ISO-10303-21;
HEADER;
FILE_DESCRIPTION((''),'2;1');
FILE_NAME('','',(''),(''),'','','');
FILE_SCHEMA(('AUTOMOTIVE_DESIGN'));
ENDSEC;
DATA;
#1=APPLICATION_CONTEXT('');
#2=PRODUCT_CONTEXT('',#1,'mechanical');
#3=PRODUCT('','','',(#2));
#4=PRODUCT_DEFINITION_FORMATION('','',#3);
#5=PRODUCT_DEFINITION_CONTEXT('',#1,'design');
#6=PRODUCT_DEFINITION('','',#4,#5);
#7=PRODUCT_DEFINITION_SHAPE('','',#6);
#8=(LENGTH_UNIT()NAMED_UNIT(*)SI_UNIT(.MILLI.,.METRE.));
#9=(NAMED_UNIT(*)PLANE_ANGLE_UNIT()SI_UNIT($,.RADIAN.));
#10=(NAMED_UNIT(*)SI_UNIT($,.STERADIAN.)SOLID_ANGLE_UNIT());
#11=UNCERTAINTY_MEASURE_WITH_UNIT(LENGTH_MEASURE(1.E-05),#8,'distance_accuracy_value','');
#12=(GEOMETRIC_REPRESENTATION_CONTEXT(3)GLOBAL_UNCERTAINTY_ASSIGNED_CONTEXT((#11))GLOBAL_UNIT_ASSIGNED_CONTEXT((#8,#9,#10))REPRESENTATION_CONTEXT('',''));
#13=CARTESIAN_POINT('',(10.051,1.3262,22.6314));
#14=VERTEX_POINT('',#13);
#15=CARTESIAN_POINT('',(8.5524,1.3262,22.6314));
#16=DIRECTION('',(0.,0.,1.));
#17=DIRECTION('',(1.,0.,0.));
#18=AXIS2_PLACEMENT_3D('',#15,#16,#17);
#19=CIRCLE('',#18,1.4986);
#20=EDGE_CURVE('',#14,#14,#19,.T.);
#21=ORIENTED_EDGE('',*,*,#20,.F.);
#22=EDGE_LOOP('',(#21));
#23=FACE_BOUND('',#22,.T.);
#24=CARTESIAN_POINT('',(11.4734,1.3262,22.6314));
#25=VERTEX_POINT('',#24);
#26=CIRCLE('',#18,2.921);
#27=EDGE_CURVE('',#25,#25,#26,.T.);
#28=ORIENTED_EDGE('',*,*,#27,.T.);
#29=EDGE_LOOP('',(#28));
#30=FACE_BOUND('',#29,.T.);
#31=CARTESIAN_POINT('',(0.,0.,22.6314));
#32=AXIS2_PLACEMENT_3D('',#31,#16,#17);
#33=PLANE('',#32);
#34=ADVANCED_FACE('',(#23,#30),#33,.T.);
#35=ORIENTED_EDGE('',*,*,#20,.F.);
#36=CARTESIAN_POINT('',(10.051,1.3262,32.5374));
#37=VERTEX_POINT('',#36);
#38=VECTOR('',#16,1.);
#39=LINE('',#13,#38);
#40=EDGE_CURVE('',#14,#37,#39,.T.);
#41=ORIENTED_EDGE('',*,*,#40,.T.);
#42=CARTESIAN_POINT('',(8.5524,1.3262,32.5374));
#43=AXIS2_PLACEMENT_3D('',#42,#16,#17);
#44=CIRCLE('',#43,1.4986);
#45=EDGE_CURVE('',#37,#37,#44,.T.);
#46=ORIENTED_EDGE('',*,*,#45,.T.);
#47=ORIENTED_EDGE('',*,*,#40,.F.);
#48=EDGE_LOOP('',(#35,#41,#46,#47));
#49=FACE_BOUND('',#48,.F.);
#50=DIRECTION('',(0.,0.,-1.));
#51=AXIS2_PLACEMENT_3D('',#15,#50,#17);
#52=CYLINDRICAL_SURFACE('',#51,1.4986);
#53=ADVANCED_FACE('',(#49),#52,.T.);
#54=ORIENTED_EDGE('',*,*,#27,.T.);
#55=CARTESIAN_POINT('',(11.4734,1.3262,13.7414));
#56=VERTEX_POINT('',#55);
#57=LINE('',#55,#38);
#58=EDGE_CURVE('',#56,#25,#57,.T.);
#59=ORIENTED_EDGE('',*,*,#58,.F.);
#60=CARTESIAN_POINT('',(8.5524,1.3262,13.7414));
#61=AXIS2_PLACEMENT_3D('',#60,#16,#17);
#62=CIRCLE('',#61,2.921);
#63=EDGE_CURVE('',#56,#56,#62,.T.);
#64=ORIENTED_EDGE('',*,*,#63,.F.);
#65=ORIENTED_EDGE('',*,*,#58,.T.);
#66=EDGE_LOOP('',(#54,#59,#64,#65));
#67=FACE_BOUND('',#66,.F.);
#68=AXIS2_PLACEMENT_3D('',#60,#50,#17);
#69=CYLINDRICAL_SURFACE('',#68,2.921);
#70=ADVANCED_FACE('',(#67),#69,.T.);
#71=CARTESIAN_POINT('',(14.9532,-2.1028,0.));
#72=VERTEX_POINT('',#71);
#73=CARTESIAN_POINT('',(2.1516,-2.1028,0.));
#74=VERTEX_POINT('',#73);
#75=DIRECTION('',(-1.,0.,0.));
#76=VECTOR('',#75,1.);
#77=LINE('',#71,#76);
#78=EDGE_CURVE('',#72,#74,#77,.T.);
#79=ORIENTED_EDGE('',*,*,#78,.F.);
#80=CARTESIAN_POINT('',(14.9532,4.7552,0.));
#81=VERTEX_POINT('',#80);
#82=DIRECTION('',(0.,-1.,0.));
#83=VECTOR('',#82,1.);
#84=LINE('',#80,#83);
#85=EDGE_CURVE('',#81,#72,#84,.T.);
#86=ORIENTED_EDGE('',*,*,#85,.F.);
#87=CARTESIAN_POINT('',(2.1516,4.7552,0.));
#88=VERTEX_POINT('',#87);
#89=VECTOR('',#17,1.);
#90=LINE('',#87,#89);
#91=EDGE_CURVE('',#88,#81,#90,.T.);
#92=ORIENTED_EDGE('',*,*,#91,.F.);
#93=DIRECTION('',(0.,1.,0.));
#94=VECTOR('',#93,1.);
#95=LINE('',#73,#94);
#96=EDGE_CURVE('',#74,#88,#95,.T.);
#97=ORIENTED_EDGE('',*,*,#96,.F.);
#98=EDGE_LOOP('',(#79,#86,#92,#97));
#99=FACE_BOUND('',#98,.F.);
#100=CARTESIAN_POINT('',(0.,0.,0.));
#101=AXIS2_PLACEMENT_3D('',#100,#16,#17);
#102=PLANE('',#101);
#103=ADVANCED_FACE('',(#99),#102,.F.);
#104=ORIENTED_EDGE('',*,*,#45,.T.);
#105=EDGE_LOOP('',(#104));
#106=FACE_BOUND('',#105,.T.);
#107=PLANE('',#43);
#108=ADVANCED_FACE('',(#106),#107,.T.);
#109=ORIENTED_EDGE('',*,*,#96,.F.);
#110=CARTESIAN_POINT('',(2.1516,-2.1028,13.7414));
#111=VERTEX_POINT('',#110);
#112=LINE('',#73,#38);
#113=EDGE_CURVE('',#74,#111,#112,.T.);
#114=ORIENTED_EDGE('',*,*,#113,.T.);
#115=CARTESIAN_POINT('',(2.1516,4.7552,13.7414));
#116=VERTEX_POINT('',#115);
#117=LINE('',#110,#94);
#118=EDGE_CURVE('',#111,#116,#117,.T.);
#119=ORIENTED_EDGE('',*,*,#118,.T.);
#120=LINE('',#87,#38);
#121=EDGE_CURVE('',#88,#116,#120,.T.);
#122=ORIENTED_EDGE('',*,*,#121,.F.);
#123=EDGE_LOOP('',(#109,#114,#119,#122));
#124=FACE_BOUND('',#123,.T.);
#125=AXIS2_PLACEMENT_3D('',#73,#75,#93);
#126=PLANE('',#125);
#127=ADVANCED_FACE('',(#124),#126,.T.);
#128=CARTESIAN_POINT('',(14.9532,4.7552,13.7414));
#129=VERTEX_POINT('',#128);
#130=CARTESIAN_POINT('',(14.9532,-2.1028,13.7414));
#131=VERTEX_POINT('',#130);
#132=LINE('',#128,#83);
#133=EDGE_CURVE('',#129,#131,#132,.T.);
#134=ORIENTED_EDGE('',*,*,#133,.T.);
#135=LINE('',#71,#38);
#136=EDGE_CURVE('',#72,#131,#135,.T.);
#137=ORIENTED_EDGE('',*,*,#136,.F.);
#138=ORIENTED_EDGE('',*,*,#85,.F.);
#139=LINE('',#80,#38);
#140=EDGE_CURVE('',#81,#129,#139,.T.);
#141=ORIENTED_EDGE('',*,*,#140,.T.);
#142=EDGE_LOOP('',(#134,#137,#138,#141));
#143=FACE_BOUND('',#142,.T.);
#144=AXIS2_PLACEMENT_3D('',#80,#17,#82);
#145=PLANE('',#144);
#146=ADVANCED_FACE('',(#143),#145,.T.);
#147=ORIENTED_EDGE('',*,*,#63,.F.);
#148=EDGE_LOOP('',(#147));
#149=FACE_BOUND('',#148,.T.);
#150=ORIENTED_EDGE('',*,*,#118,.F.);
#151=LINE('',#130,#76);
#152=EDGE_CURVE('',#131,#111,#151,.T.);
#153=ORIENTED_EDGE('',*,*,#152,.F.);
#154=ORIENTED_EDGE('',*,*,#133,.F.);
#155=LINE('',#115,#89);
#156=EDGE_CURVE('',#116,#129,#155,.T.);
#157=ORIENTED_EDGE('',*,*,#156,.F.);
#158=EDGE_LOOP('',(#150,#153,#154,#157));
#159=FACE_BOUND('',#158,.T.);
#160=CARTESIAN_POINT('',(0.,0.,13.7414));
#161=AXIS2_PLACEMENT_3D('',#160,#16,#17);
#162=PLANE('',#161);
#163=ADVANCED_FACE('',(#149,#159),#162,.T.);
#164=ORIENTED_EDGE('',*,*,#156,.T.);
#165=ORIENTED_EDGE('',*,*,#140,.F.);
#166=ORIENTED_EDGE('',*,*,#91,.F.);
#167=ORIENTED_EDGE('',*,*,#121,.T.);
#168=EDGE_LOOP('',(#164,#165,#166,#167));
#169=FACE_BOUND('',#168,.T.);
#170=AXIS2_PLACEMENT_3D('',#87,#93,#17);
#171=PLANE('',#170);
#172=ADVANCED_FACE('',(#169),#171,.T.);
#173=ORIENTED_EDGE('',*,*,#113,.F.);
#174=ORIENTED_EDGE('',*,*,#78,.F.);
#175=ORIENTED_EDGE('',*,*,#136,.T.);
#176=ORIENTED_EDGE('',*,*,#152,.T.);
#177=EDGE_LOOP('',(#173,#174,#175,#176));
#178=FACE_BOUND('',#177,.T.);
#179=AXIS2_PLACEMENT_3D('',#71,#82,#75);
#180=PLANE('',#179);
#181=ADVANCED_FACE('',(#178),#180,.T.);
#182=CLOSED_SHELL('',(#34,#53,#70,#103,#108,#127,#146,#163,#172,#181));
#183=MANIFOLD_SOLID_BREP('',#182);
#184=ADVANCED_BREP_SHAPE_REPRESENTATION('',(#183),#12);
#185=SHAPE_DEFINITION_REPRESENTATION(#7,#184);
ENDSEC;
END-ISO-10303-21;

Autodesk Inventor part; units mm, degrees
ref_plane "YZ Plane" through (0, 0, 0) normal (1, 0, 0) x (0, 1, 0)
ref_plane "XZ Plane" through (0, 0, 0) normal (0, 1, 0) x (-1, 0, 0)
ref_plane "XY Plane" through (0, 0, 0) normal (0, 0, 1) x (1, 0, 0)
sketch "Sketch1" plane through (0, 0, 0) normal (0, 0, 1) x (1, 0, 0)
  line L0 (2.1516, 4.7552) -> (14.9532, 4.7552)
  line L1 (14.9532, 4.7552) -> (14.9532, -2.1028)
  line L2 (14.9532, -2.1028) -> (2.1516, -2.1028)
  line L3 (2.1516, -2.1028) -> (2.1516, 4.7552)
  point P0 (0, 0)
  dimension "d0" = 12.8016
  dimension "d1" = 6.858
extrude "Extrusion1" add sketch "Sketch1" along normal blind 13.7414
sketch "Sketch2" plane through (0, 0, 13.7414) normal (0, 0, 1) x (1, 0, 0)
  circle A0 centre (8.5524, 1.3262) radius 2.921
  line L0 (14.9532, -2.1028) -> (14.9532, 4.7552) projected
  line L1 (14.9532, 4.7552) -> (2.1516, 4.7552) projected
  point P0 (0, 0)
  dimension "d4" = 5.842
  dimension "d5" = 6.4008
  dimension "d6" = 3.429
extrude "Extrusion2" add sketch "Sketch2" along normal blind 8.89
sketch "Sketch3" plane through (8.5524, 1.3262, 22.6314) normal (0, 0, 1) x (1, 0, 0)
  circle A0 centre (0, 0) radius 1.4986
  point P0 (-8.5524, -1.3262)
  dimension "d9" = 2.9972
extrude "Extrusion3" add sketch "Sketch3" along normal blind 9.906
properties part number "Switch"
